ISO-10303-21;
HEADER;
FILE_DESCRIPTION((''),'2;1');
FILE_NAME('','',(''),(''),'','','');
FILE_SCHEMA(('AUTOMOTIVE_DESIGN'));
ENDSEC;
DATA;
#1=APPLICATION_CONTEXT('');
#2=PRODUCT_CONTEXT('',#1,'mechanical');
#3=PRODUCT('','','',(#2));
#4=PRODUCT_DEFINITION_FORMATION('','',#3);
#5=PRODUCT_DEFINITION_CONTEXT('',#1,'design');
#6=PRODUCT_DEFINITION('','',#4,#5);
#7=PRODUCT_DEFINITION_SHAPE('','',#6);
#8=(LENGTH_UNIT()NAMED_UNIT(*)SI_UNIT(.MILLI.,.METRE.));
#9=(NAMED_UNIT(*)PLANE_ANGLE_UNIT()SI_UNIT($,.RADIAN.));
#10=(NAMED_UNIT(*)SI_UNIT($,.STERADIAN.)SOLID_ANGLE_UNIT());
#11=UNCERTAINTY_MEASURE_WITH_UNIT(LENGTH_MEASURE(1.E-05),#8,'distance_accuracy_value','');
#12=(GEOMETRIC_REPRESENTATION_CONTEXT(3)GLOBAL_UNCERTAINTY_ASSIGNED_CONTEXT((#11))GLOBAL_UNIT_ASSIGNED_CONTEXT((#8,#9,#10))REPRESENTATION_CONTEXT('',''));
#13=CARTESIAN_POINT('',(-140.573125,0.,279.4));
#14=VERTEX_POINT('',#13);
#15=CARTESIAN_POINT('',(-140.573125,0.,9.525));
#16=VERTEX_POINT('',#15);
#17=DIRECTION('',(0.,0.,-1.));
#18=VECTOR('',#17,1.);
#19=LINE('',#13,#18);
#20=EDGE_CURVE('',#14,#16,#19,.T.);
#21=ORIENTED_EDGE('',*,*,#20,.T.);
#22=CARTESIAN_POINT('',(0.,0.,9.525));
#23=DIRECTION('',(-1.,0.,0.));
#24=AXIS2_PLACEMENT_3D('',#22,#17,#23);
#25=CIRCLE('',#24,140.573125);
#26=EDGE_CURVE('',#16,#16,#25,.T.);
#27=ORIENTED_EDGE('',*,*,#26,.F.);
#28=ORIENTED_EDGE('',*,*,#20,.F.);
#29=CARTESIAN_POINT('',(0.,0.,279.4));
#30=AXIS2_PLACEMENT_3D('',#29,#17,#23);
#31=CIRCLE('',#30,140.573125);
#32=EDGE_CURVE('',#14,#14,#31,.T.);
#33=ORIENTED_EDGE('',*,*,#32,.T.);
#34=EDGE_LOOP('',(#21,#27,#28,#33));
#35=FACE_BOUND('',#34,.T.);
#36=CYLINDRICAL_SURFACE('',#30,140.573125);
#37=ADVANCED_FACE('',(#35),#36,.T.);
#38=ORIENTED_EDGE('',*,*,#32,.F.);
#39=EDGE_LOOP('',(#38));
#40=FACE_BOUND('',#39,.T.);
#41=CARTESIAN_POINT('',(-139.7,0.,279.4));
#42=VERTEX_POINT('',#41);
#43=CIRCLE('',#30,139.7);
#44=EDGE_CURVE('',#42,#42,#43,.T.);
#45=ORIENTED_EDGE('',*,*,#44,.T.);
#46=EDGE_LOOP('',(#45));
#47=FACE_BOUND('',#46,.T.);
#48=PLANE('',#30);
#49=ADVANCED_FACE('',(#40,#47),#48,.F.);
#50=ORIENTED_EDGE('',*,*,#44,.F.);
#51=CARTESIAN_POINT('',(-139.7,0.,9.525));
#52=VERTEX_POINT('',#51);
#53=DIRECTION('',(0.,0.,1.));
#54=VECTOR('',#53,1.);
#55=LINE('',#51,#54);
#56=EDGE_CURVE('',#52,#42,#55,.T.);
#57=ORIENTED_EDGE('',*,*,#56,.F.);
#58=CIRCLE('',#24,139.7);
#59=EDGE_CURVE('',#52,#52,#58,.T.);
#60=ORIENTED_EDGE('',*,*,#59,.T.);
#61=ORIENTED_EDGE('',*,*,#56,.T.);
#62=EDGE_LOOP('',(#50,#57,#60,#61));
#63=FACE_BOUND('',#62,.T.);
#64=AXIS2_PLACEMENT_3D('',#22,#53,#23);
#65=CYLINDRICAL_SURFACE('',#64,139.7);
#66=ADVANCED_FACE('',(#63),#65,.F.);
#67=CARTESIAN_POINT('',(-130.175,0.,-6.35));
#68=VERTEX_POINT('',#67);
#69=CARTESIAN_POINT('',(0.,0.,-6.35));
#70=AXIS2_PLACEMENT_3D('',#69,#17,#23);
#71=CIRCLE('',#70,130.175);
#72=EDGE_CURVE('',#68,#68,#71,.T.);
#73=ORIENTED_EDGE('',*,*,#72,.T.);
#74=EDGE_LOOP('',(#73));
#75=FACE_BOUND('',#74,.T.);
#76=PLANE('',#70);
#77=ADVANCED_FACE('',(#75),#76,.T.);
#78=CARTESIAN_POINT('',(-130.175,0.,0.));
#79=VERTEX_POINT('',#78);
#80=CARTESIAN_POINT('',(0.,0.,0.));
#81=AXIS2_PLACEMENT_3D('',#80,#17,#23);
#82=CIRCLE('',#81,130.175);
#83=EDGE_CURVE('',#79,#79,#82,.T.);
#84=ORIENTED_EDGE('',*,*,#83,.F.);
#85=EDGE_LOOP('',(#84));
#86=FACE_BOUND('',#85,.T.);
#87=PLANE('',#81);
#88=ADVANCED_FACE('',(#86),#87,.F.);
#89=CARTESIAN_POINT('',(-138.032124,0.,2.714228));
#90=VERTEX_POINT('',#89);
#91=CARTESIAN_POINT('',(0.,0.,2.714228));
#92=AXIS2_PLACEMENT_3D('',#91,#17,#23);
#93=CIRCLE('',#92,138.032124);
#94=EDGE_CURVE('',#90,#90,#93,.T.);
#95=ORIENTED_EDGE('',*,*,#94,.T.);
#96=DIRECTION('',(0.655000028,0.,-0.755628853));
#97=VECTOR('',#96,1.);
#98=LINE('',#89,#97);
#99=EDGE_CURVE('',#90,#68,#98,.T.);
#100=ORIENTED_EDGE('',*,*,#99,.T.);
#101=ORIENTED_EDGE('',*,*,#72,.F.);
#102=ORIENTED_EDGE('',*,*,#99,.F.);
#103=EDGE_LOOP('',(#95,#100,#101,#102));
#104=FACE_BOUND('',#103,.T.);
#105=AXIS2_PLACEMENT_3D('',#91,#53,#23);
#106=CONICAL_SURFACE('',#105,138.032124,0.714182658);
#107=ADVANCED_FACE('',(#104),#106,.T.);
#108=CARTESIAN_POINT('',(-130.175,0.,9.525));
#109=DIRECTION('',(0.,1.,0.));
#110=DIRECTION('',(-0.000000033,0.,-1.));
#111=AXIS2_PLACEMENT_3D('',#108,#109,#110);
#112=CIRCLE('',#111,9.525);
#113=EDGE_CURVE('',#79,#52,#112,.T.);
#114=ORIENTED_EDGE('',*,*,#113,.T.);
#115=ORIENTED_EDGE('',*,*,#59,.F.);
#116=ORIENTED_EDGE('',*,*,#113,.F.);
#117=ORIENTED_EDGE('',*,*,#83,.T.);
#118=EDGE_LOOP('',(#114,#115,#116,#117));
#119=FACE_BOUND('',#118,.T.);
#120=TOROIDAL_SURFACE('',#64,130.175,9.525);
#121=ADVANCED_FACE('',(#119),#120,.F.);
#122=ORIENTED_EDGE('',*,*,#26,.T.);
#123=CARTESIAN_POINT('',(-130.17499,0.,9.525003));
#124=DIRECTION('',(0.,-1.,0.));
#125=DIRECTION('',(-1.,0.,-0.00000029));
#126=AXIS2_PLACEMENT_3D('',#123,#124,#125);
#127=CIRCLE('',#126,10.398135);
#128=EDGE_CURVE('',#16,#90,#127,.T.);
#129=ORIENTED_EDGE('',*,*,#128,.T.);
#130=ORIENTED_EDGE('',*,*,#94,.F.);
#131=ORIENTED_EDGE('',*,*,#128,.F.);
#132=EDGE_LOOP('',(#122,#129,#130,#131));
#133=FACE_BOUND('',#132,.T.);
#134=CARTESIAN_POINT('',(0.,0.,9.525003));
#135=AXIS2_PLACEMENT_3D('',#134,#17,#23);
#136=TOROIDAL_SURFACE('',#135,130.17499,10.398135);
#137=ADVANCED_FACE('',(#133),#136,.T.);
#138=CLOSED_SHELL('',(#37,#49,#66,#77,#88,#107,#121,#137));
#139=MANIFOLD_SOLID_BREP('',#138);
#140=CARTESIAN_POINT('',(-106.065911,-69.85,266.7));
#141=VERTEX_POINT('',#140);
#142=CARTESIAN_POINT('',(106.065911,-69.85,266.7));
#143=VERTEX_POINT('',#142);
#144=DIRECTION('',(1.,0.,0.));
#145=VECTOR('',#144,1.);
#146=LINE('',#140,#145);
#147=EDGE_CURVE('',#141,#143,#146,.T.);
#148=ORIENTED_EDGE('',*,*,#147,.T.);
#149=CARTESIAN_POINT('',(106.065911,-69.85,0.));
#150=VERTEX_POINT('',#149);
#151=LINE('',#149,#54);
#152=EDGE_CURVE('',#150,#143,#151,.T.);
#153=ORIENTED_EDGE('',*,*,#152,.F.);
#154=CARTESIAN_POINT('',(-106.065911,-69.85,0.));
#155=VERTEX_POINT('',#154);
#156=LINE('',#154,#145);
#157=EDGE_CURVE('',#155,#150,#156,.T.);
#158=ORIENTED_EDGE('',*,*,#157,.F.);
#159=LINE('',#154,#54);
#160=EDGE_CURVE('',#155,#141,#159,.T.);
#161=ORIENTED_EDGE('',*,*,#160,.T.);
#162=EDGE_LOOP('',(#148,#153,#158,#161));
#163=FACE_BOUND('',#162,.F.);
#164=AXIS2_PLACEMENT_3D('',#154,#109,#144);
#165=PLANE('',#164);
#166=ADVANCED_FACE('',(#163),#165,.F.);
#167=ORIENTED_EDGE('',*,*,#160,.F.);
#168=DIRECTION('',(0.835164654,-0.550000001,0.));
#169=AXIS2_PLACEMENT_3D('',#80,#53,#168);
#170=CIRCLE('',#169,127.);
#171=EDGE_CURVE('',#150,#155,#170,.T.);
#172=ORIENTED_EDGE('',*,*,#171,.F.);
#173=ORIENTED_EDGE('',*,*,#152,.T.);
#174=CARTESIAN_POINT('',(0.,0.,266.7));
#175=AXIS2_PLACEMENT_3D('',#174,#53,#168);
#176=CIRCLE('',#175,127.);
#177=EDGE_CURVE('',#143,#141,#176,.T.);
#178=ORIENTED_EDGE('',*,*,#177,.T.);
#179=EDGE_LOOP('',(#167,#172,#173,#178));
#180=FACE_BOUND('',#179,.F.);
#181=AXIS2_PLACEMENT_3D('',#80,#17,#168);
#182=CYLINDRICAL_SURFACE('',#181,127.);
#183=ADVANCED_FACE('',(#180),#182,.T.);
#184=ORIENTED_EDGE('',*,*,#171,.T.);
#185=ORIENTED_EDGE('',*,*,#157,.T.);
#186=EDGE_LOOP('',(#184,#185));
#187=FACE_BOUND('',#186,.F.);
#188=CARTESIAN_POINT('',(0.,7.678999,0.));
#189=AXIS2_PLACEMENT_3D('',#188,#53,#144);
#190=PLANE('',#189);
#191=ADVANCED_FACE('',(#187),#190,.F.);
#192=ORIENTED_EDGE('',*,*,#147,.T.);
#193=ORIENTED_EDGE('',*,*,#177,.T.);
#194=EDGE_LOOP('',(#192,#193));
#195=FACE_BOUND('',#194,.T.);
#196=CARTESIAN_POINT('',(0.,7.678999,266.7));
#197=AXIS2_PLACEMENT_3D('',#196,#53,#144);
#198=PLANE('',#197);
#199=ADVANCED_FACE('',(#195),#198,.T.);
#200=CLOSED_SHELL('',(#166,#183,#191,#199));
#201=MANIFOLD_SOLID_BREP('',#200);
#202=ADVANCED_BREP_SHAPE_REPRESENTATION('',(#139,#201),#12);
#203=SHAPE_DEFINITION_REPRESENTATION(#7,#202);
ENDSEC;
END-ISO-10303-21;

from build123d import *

# Parameters (mm, degrees)
F1_DEPTH = 266.7


with BuildPart() as f1:
    # F0 (on Top) → F1 (new body)
    with BuildSketch(Plane.XY):
        with BuildLine():
            ThreePointArc((106.065911, -69.85), (0, 127), (-106.065911, -69.85))
            Line((-106.065911, -69.85), (106.065911, -69.85))
        make_face()
    extrude(amount=F1_DEPTH)


with BuildPart() as f3:
    # F2 (on Front) → F3 (revolve)
    with BuildSketch(Plane.XZ):
        with BuildLine():
            Line((0, -0.873125), (0, 0))
            Line((0, 0), (-130.175, 0))
            ThreePointArc((-130.175, 0), (-136.910192, 2.789808), (-139.7, 9.525))
            Line((-139.7, 9.525), (-139.7, 279.4))
            Line((-139.7, 279.4), (-140.573125, 279.4))
            Line((-140.573125, 279.4), (-140.573125, 9.525))
            ThreePointArc((-140.573125, 9.525), (-139.917185, 5.89033), (-138.032124, 2.714228))
            ThreePointArc((-138.032124, 2.714228), (-134.493666, 0.066135), (-130.175, -0.873125))
            Line((-130.175, -0.873125), (0, -0.873125))
        make_face()
        with BuildLine():
            Line((0, -6.35), (0, -0.873125))
            Line((0, -0.873125), (-130.175, -0.873125))
            ThreePointArc((-130.175, -0.873125), (-134.493666, 0.066135), (-138.032124, 2.714228))
            Line((-138.032124, 2.714228), (-130.175, -6.35))
            Line((-130.175, -6.35), (0, -6.35))
        make_face()
    revolve(axis=Axis((0, 0, -3.175), (0, 0, -1)))


solid = Compound([f1.part, f3.part])
